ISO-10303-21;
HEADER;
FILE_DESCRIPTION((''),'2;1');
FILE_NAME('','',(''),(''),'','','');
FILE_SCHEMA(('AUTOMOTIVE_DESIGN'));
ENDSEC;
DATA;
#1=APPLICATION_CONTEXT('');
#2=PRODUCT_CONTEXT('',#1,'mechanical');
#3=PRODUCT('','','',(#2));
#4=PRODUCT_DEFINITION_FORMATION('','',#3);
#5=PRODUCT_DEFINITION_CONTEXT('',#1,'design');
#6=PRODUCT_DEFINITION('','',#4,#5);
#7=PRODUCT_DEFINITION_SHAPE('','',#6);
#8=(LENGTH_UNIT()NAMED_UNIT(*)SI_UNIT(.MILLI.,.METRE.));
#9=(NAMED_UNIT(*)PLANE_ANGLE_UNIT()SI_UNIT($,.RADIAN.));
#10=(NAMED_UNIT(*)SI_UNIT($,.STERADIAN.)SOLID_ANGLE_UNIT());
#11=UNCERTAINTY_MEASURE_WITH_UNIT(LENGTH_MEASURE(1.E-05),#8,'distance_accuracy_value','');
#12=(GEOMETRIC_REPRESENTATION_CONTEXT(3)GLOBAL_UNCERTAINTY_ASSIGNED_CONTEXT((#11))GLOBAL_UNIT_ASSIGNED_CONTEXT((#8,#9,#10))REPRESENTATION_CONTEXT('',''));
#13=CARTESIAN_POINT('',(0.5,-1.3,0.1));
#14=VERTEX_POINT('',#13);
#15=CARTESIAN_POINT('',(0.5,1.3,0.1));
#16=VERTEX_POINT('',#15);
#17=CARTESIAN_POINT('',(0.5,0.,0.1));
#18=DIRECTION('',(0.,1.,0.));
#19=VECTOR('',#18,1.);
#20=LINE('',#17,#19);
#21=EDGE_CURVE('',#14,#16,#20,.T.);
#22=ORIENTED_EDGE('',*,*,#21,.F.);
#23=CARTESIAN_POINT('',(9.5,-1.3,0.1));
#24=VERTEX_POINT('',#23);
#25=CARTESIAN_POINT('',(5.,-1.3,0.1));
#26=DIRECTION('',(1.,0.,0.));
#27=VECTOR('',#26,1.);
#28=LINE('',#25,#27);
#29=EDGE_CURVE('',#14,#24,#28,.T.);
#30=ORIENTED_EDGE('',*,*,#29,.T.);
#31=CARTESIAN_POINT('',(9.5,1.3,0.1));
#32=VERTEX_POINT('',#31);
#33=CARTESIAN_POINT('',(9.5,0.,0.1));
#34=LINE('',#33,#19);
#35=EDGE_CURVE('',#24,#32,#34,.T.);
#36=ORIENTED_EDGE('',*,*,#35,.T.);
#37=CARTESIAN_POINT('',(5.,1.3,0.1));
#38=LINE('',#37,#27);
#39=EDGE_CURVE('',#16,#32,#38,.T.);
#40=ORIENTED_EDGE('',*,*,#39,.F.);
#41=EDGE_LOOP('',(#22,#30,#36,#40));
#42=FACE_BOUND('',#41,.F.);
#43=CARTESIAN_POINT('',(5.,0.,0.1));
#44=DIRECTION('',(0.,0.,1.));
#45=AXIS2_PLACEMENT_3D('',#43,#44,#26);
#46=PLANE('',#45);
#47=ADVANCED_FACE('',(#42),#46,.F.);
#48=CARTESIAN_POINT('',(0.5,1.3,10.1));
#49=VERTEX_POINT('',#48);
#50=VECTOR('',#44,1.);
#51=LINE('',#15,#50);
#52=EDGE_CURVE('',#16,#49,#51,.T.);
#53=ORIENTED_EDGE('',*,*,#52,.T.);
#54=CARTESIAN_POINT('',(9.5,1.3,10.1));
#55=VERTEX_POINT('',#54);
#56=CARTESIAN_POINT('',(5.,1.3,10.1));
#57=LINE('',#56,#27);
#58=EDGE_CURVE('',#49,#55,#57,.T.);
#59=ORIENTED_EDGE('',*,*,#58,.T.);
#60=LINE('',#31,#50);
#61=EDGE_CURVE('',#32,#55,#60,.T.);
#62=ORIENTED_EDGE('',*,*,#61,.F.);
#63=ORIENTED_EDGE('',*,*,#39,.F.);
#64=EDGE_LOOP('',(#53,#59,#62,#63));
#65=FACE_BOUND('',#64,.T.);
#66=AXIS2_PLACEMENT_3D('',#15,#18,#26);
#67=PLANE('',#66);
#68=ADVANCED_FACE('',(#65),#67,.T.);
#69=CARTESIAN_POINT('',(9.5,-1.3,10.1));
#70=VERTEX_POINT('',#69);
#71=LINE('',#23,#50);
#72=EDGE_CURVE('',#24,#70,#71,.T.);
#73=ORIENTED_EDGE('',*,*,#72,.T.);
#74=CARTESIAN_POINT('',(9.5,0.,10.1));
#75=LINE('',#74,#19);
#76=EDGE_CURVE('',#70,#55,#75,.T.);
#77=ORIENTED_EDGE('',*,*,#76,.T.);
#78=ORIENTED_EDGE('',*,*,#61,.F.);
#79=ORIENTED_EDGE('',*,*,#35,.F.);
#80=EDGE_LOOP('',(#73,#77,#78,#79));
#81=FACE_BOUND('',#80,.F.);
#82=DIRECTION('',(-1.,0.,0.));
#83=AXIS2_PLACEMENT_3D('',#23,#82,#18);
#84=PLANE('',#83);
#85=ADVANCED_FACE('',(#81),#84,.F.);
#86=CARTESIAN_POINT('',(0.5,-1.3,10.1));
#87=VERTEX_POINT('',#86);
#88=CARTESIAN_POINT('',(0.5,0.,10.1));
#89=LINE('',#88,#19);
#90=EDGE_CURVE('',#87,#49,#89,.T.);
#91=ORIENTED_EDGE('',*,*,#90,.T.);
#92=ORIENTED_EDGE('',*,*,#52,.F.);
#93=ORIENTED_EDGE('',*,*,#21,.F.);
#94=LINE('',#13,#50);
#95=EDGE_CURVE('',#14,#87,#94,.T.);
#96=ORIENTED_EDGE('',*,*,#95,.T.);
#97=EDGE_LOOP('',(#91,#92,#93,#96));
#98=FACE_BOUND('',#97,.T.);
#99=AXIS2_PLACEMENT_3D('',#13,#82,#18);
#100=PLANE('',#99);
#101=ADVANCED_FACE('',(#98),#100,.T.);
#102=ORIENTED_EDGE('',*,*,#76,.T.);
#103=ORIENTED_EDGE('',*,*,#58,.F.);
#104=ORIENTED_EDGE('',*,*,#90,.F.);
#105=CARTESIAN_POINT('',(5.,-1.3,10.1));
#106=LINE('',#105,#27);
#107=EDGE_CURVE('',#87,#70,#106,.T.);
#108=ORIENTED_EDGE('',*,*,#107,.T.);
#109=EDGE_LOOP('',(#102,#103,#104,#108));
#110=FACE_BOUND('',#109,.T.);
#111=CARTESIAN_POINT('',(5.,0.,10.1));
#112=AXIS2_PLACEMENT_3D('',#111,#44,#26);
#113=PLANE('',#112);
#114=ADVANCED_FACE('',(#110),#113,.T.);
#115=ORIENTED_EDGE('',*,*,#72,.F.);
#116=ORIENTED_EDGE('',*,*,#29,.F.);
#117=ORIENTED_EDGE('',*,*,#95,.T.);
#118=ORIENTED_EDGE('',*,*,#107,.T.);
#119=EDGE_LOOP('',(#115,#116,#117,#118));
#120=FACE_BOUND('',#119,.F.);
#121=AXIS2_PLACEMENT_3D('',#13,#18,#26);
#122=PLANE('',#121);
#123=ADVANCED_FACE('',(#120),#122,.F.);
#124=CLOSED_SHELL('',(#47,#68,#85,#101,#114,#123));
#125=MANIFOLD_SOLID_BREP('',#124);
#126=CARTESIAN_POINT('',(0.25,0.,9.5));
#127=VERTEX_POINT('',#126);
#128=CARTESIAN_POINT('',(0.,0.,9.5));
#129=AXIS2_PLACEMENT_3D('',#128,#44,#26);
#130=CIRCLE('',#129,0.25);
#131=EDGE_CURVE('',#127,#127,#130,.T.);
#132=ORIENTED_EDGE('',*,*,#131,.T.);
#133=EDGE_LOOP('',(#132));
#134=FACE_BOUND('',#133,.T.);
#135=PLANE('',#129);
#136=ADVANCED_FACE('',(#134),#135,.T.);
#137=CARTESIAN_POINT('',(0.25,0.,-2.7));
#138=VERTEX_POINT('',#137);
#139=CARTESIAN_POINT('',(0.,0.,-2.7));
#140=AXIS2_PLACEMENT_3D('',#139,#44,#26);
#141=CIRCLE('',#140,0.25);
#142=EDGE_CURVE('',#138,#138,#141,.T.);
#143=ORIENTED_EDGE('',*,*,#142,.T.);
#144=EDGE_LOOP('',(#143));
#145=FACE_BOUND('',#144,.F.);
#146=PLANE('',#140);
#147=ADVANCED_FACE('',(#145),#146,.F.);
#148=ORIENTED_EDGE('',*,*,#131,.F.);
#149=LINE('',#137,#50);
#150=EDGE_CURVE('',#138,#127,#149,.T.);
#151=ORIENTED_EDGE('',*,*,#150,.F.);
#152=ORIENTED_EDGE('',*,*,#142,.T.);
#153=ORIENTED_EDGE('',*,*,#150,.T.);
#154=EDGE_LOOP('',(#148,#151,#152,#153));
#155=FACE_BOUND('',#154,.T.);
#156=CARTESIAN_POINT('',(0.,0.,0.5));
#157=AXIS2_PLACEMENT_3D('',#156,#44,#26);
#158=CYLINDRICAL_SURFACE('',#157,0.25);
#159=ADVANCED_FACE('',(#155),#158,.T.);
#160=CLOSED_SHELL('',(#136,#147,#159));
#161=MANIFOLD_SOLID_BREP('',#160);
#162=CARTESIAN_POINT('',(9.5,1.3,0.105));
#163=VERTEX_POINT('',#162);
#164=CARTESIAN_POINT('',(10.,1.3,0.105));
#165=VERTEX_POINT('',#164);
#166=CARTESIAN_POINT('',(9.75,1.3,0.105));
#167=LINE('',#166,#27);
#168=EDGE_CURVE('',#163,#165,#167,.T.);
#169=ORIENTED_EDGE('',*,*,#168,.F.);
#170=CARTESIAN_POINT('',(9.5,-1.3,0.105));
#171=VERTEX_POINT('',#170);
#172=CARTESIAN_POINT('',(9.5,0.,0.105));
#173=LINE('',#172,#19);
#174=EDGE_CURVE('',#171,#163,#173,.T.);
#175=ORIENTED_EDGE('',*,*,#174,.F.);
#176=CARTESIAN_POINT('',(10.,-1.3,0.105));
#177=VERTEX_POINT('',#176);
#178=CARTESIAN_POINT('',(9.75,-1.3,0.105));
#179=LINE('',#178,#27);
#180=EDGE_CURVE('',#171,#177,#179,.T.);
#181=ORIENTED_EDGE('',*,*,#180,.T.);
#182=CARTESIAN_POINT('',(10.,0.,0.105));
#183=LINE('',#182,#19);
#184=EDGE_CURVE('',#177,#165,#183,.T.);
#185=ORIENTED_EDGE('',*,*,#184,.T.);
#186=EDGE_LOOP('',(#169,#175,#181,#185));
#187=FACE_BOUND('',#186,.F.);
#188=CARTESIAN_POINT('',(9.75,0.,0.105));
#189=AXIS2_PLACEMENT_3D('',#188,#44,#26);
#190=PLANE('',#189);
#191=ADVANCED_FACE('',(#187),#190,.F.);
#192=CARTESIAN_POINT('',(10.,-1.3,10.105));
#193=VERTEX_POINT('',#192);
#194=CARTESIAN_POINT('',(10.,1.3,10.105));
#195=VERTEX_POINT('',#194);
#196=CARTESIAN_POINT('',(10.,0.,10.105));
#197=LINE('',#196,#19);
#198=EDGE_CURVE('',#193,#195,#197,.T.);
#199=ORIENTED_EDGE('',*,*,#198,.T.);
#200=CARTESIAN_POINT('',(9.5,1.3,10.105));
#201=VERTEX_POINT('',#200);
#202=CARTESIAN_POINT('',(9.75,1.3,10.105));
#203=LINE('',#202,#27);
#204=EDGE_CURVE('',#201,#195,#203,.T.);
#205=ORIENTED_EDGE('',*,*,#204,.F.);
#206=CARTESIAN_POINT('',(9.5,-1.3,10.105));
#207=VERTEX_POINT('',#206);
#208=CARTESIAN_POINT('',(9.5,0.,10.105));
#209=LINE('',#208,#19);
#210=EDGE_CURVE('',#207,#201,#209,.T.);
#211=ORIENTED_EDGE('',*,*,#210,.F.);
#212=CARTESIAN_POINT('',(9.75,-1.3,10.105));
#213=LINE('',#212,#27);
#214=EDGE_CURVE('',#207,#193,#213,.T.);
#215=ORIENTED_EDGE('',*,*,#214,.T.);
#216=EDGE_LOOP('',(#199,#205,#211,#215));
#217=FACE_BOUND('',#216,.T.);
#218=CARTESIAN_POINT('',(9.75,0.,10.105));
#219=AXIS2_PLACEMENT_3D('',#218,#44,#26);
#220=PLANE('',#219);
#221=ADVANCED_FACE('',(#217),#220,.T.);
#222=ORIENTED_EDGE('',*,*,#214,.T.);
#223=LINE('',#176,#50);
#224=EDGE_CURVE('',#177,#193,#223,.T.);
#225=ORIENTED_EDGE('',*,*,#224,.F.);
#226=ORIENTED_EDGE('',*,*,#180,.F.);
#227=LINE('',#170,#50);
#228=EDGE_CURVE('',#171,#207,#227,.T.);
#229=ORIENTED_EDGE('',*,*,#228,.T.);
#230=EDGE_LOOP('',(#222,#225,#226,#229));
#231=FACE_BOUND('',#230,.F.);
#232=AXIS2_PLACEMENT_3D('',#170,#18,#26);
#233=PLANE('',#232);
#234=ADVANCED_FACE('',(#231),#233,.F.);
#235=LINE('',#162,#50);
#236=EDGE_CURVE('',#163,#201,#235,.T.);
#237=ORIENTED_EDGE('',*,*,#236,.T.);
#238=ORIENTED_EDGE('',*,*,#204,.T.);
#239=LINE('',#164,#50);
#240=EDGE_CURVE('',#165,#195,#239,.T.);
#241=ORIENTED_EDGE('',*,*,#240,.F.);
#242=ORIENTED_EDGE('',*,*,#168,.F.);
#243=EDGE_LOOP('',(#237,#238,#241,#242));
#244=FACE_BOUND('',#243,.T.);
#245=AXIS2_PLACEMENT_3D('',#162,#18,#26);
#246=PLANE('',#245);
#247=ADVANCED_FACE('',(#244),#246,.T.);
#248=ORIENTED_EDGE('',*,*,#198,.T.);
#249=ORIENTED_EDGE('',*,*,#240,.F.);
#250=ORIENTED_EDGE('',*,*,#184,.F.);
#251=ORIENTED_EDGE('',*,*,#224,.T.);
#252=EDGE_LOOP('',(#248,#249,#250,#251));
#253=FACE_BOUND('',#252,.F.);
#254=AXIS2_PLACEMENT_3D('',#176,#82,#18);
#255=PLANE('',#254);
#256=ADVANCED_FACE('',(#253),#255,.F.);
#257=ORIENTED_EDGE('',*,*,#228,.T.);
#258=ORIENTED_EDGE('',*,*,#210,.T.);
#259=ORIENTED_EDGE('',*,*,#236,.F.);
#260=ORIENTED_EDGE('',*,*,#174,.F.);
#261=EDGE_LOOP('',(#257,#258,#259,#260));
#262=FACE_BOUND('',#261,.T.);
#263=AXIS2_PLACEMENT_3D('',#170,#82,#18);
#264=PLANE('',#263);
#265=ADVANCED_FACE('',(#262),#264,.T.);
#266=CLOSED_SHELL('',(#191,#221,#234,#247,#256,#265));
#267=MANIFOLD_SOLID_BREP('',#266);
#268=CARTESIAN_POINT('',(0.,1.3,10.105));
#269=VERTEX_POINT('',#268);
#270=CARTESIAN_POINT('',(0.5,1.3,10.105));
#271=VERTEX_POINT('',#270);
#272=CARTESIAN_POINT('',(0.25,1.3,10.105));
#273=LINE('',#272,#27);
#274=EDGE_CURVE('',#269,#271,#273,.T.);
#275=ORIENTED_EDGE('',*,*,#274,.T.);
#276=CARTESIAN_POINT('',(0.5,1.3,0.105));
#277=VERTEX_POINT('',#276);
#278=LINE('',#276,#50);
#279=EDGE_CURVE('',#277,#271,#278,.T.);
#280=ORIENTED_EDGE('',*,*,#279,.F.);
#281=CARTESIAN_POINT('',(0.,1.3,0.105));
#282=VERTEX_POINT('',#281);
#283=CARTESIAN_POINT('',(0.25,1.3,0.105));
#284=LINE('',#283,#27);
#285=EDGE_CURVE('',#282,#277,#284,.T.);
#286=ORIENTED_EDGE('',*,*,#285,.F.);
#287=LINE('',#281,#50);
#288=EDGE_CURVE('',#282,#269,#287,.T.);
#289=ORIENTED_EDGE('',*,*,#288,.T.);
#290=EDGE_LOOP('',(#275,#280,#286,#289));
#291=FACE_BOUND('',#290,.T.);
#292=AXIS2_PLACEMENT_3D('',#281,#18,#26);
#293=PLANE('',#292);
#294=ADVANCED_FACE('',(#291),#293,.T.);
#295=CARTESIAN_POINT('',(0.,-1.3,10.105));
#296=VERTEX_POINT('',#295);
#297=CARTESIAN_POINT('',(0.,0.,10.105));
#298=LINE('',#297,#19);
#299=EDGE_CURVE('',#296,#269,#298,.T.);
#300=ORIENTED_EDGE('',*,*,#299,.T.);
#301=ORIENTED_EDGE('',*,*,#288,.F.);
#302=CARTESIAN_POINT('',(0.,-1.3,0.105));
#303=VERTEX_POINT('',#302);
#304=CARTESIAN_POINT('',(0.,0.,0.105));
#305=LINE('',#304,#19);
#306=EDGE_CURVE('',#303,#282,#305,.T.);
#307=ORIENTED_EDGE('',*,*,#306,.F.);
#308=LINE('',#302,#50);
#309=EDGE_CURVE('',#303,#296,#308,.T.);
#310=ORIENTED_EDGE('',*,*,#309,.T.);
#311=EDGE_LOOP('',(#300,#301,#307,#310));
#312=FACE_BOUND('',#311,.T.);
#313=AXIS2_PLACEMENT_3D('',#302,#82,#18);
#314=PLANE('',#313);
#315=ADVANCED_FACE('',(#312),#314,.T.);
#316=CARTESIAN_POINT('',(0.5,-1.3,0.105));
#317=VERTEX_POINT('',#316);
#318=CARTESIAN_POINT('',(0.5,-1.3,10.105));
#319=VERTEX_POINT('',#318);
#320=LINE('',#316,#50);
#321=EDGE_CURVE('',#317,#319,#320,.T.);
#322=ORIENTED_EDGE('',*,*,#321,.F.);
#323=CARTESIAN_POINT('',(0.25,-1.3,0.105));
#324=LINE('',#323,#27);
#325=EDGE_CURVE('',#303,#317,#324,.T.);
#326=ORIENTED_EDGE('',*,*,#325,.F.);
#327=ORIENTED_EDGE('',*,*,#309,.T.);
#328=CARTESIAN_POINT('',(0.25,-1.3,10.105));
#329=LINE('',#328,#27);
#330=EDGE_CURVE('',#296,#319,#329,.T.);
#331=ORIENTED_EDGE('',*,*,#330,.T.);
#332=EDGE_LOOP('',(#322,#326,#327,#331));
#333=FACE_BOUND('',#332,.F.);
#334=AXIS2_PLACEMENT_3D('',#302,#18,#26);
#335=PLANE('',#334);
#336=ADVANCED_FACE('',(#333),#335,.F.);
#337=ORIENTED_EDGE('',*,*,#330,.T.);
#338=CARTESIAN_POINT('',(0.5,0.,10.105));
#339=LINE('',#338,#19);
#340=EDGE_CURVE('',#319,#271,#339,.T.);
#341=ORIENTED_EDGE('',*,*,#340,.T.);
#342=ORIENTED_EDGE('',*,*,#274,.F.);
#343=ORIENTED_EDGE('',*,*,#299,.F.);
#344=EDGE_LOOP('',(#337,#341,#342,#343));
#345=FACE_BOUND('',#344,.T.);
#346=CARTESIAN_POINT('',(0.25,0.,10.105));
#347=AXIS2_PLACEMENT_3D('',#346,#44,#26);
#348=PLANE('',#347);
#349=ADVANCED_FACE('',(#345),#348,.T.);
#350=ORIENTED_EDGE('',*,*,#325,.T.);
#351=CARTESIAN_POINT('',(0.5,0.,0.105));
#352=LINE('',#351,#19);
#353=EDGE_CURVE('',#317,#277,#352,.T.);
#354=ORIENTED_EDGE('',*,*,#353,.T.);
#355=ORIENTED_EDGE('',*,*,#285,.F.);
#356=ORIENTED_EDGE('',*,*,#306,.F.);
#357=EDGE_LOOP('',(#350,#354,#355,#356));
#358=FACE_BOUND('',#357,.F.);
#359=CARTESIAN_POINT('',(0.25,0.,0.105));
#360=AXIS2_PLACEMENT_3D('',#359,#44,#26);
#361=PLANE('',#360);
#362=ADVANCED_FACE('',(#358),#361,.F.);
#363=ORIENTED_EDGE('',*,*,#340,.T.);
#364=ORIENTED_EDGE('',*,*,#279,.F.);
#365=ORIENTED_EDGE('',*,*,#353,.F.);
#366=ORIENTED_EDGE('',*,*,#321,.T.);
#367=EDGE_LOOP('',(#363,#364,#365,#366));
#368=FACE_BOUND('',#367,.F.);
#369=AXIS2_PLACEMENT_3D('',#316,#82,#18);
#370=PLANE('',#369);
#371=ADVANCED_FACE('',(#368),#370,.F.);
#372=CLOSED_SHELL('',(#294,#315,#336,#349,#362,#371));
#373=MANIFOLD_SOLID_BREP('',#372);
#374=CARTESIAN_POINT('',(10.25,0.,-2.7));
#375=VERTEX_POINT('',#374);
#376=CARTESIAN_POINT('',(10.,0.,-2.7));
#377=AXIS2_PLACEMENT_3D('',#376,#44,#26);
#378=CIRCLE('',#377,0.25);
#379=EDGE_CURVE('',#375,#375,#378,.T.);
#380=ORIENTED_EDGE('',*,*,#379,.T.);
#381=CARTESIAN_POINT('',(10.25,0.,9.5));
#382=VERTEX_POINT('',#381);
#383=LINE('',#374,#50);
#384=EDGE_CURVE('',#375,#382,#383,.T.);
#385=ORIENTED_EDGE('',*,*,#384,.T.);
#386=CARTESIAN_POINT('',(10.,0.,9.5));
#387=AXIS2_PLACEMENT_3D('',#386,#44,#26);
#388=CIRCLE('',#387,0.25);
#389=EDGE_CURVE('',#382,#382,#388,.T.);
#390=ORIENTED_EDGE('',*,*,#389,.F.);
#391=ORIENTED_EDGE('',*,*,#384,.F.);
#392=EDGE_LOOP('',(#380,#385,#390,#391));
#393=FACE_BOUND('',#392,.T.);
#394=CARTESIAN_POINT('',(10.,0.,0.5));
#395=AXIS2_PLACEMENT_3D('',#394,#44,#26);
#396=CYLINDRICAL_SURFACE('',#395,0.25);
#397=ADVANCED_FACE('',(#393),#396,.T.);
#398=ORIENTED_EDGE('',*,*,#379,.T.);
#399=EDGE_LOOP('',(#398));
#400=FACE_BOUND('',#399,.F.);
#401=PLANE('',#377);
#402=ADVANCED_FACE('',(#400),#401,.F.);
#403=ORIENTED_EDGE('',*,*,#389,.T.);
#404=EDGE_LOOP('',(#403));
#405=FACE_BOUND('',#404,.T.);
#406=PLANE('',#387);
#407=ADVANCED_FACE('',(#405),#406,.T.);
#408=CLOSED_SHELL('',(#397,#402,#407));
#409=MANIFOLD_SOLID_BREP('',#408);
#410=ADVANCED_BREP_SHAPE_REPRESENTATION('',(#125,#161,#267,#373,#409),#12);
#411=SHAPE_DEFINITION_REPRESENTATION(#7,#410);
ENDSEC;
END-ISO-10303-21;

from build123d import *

# Parameters (mm, degrees)
SKETCH_W          = 9
SKETCH_H          = 2.6
PAD_DEPTH         = 10
SKETCH001_R       = 0.25
PAD001_DEPTH      = 9
PAD001_DEPTH_BACK = 3.2
SKETCH002_W       = 0.5
SKETCH002_H       = 2.6
PAD002_DEPTH      = 10


with BuildPart() as pad:
    # Sketch → Pad (new body)
    with BuildSketch(Plane.XY.offset(0.1)):
        with Locations((5, 0)):
            Rectangle(SKETCH_W, SKETCH_H)
    extrude(amount=PAD_DEPTH)


with BuildPart() as pad001:
    # Sketch001 → Pad001 (new body, two sides)
    with BuildSketch(Plane.XY.offset(0.5)) as pad001_sk:
        Circle(SKETCH001_R)
        with Locations((10, 0)):
            Circle(SKETCH001_R)
    extrude(amount=PAD001_DEPTH)
    extrude(pad001_sk.sketch, amount=-PAD001_DEPTH_BACK)


with BuildPart() as pad002:
    # Sketch002 → Pad002 (new body)
    with BuildSketch(Plane.XY.offset(0.105)):
        with Locations((0.25, 0)):
            Rectangle(SKETCH002_W, SKETCH002_H)
        with Locations((9.75, 0)):
            Rectangle(SKETCH002_W, SKETCH002_H)
    extrude(amount=PAD002_DEPTH)


solid = Compound([pad.part, pad001.part, pad002.part])
